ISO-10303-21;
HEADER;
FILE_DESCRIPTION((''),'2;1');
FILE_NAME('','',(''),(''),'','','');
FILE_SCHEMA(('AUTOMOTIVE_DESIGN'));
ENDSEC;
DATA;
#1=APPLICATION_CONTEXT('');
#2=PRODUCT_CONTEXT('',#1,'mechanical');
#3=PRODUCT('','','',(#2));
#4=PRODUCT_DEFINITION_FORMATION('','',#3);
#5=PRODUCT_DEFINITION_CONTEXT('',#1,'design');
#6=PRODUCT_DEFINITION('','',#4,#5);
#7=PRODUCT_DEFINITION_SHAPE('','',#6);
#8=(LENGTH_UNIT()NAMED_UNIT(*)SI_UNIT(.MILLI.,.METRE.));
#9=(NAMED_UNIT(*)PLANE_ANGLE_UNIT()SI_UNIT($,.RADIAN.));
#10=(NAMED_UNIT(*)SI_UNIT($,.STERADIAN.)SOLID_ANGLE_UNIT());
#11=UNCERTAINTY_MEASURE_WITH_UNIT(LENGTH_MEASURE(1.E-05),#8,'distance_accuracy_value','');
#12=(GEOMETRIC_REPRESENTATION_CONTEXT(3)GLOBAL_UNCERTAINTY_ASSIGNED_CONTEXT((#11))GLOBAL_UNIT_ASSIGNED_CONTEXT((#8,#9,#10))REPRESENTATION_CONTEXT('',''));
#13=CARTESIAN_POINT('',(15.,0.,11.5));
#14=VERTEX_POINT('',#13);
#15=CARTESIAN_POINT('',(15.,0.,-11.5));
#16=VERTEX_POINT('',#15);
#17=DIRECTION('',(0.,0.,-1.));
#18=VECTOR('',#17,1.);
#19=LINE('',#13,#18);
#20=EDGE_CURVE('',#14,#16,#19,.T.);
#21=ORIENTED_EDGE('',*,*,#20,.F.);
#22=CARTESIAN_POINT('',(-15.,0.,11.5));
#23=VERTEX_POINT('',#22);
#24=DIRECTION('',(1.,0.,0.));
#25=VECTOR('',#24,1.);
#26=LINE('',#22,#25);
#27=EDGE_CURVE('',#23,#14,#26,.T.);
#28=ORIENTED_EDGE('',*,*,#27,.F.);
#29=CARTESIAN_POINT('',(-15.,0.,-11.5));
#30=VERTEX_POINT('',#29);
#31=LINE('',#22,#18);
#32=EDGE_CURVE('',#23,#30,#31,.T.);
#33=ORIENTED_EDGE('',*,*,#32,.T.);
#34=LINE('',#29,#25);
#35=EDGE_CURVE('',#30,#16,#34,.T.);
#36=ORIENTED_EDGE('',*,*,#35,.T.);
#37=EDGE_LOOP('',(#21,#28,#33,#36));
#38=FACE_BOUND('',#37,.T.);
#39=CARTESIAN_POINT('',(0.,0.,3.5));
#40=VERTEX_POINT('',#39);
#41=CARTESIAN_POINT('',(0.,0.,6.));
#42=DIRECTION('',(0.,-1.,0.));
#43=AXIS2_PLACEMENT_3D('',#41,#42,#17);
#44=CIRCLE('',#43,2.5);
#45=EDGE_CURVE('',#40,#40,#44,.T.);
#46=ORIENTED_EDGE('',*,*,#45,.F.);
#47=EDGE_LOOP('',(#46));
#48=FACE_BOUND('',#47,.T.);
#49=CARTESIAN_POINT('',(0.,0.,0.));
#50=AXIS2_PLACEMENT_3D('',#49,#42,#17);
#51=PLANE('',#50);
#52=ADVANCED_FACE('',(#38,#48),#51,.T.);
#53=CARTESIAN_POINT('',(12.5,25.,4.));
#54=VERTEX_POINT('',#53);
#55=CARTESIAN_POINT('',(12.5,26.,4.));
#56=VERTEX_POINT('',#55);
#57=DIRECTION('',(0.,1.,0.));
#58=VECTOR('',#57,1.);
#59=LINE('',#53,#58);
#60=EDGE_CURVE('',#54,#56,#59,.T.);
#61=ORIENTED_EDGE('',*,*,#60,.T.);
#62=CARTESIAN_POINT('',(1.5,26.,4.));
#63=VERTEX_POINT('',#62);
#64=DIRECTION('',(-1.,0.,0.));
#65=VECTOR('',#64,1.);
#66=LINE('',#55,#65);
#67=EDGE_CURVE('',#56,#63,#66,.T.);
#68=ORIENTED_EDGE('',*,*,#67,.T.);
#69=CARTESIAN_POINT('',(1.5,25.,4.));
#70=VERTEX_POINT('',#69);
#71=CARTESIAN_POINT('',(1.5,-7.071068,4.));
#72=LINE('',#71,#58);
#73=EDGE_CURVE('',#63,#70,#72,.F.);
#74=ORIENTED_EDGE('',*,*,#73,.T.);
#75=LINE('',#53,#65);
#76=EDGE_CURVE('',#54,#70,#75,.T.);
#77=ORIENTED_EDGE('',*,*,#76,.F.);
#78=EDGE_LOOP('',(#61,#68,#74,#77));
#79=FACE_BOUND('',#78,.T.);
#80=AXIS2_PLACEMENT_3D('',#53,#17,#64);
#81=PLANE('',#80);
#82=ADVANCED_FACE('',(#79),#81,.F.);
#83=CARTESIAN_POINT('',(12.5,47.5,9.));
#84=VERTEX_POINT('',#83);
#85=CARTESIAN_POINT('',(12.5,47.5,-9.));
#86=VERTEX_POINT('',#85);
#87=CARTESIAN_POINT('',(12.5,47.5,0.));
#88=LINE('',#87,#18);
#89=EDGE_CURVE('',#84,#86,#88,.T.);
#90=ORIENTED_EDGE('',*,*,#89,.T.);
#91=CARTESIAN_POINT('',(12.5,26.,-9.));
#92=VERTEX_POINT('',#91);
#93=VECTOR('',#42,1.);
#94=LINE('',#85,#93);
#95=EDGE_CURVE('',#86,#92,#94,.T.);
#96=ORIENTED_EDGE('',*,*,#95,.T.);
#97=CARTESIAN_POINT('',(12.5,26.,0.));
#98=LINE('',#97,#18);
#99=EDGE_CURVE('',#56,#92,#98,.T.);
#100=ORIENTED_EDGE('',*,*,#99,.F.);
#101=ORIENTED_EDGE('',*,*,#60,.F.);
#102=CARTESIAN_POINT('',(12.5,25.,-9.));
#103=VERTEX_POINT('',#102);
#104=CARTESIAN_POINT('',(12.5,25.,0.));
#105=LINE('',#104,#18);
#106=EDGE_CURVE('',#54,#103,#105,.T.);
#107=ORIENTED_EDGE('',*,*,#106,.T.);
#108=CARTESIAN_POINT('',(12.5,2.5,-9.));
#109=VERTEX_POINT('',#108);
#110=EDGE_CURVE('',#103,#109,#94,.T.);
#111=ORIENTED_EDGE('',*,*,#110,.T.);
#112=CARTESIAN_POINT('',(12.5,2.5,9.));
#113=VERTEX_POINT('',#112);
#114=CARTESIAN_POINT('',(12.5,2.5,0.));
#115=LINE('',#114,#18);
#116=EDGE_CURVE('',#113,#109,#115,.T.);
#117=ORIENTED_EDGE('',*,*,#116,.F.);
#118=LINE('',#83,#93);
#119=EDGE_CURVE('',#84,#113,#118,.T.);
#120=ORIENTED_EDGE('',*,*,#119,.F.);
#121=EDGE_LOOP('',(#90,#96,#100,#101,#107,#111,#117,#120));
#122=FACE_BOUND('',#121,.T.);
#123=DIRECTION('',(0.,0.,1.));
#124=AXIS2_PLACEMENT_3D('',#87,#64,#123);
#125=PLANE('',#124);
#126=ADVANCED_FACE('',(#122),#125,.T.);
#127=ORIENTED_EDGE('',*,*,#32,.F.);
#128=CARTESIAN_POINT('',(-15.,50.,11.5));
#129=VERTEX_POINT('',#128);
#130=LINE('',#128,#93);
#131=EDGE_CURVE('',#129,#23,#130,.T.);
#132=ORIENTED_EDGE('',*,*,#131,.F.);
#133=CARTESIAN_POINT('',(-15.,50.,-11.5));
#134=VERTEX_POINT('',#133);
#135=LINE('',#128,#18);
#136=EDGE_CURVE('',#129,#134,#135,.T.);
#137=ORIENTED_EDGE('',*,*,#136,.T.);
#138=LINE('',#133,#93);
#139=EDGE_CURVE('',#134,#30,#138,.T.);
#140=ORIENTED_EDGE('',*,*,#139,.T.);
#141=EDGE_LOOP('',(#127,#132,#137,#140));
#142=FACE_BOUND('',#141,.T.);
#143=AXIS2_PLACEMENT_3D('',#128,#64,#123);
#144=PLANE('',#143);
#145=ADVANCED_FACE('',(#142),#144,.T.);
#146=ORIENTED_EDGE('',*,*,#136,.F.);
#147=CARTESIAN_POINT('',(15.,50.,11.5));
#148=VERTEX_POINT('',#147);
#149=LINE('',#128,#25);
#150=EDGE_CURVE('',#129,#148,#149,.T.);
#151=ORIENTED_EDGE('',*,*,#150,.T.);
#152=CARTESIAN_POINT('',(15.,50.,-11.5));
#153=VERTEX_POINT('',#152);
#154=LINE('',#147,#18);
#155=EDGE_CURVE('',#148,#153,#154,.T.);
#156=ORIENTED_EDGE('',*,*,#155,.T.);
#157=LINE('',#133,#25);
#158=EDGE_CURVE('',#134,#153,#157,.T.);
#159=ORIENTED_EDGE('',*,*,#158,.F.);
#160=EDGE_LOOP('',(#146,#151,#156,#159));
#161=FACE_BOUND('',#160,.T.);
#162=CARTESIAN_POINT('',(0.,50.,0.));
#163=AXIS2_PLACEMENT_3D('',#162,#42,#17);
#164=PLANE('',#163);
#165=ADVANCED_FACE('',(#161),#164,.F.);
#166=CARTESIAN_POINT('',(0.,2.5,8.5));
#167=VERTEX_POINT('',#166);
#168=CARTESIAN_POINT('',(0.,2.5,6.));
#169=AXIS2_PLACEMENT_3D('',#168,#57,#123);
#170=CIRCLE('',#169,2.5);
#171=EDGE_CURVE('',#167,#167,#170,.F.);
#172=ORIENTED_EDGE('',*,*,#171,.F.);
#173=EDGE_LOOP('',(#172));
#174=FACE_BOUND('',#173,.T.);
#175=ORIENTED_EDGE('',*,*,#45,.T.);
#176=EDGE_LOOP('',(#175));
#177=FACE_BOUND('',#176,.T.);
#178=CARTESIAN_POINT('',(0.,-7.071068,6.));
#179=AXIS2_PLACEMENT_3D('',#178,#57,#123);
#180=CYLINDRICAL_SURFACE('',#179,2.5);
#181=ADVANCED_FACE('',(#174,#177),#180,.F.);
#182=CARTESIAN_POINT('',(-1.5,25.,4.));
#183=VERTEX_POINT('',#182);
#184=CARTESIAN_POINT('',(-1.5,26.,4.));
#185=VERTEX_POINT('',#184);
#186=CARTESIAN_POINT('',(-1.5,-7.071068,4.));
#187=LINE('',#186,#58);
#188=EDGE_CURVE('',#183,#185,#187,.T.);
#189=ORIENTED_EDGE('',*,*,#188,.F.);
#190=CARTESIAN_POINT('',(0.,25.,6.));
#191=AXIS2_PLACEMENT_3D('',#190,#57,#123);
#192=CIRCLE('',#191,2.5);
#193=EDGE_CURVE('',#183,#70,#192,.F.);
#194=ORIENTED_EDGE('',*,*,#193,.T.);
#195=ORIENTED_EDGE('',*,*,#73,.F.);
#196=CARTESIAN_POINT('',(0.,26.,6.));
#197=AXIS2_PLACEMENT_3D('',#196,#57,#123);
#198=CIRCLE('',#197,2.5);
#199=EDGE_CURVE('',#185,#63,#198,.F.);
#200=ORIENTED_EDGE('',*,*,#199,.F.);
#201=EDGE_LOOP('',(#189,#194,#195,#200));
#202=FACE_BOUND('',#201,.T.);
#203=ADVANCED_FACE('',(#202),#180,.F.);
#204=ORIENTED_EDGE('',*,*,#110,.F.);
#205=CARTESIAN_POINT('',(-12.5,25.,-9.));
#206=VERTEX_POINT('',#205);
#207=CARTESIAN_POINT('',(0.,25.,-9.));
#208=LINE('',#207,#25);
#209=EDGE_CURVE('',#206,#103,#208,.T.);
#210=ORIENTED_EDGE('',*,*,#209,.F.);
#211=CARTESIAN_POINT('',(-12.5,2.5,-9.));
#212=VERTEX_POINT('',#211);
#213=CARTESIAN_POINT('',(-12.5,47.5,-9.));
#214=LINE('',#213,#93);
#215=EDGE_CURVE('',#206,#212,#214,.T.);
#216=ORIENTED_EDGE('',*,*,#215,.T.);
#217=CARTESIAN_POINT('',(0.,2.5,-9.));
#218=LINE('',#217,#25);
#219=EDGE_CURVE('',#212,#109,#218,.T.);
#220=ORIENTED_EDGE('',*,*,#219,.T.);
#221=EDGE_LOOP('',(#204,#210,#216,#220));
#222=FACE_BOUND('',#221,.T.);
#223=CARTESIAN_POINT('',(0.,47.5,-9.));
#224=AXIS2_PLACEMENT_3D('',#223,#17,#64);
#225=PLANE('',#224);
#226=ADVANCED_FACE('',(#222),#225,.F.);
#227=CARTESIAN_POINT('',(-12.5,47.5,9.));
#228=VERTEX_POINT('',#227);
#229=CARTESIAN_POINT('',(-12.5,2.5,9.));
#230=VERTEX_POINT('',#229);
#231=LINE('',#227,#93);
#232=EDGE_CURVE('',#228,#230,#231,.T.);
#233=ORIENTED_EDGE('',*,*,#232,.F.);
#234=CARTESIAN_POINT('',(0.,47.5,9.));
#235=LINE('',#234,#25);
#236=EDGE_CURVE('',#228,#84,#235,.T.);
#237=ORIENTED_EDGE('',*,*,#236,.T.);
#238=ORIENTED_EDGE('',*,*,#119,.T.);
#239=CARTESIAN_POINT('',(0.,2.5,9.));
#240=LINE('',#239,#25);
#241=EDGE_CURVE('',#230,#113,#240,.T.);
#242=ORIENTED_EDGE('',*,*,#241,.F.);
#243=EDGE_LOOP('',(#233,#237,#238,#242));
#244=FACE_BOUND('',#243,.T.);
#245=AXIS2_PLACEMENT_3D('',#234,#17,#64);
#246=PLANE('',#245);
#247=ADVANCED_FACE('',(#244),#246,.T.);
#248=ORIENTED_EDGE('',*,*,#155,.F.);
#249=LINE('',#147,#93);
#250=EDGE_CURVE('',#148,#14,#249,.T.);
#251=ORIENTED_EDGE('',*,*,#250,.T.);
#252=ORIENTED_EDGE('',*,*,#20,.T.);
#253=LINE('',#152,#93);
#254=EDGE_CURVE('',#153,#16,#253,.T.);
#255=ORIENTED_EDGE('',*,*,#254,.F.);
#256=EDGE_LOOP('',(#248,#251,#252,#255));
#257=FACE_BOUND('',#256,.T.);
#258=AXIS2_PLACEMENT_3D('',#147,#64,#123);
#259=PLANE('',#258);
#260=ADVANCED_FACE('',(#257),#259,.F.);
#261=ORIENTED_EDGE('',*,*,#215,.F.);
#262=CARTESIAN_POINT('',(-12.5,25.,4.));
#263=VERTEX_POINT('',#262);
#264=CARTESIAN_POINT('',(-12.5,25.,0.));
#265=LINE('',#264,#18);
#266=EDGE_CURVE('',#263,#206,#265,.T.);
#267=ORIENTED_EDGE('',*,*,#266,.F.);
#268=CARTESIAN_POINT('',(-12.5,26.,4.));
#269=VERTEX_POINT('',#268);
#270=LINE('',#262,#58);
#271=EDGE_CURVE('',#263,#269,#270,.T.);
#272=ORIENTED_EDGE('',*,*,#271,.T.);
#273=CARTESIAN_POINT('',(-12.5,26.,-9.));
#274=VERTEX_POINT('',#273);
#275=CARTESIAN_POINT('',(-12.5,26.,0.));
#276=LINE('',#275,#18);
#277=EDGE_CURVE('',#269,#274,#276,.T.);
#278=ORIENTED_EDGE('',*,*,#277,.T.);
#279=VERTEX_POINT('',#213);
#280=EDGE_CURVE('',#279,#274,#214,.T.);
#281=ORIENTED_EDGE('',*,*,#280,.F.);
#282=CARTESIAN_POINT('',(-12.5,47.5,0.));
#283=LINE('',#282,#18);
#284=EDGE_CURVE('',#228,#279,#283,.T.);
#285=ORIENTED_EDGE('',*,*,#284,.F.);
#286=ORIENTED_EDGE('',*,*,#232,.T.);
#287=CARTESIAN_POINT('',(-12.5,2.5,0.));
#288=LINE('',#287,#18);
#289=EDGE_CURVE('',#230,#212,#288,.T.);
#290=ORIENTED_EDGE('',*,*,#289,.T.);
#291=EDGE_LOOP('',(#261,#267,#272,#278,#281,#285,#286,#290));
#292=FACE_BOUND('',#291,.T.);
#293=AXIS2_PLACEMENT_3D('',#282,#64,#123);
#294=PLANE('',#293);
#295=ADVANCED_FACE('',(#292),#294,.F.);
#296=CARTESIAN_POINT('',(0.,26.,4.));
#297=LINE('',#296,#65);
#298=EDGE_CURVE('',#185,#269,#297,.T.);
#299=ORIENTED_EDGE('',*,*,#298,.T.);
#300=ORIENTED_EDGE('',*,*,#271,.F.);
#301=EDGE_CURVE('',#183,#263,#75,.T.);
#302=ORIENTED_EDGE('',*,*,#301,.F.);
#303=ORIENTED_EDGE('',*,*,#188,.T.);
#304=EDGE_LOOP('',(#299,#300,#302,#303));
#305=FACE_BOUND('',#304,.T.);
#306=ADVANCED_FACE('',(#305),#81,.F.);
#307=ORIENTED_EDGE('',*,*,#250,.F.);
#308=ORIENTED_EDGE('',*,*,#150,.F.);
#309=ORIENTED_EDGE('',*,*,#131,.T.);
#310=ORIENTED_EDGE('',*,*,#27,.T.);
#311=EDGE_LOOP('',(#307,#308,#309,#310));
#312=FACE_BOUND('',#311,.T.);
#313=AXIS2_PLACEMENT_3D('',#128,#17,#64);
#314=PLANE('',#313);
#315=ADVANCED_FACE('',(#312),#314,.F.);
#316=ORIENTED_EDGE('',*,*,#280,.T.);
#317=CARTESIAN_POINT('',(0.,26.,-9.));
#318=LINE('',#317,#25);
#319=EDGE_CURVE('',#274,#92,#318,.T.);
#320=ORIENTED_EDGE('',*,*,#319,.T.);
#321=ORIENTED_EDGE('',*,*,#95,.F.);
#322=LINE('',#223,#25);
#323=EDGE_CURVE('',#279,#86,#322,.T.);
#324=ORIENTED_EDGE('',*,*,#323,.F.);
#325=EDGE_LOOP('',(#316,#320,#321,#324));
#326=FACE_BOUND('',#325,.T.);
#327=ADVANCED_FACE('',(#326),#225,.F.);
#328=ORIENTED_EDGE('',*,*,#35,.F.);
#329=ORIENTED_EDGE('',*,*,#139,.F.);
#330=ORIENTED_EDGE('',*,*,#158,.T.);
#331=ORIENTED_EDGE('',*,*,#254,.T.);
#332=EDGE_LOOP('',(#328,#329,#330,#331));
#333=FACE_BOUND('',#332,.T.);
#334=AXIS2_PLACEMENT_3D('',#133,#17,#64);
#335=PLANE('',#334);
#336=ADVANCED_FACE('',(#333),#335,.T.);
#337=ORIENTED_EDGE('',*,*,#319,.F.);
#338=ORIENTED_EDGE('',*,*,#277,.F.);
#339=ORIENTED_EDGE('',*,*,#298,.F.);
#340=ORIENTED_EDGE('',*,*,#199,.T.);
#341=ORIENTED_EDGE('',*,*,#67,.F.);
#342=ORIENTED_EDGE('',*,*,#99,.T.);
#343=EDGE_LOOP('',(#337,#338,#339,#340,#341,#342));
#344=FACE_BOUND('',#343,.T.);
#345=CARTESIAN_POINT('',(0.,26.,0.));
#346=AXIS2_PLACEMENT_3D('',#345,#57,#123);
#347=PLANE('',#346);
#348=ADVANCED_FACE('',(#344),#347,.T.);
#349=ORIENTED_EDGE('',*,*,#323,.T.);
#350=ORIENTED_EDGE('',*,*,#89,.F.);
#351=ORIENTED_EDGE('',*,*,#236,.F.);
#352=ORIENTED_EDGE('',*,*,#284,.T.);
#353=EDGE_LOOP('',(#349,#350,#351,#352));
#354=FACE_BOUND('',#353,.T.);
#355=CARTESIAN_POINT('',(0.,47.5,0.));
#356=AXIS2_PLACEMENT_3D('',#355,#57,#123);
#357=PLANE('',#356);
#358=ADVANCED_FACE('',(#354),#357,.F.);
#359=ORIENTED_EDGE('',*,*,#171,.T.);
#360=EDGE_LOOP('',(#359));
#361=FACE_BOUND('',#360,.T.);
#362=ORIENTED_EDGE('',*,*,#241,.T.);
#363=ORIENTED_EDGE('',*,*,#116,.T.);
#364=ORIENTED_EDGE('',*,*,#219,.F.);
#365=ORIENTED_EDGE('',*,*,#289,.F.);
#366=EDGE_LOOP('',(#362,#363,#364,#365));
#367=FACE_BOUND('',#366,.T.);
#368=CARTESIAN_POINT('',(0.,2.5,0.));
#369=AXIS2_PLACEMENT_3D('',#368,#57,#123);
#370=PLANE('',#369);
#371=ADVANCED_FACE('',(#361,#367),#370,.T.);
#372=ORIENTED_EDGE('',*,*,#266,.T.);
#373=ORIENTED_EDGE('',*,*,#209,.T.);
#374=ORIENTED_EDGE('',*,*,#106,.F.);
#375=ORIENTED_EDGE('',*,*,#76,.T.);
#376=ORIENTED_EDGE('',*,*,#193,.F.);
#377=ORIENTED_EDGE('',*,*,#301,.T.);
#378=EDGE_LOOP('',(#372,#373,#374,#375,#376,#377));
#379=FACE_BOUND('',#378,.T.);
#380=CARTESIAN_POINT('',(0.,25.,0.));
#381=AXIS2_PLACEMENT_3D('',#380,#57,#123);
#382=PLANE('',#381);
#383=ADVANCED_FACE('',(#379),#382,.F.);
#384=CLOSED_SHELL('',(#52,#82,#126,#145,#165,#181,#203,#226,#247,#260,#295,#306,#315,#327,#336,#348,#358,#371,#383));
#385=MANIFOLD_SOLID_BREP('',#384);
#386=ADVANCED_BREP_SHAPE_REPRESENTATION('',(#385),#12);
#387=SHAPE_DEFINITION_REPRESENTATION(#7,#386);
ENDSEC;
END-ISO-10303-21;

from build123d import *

# Parameters (mm, degrees)
SKETCH1_W           = 30
SKETCH1_H           = 23
BOSS_EXTRUDE1_DEPTH = 50
CUT_EXTRUDE2_START  = 2.5
SKETCH1_5_W         = 25
SKETCH1_5_H         = 18
CUT_EXTRUDE2_DEPTH  = 45
BOSS_EXTRUDE3_START = 25
SKETCH1_6_W         = 25
SKETCH1_6_H         = 18
BOSS_EXTRUDE3_DEPTH = 1
CUT_EXTRUDE3_START  = 21.5
SKETCH2_R           = 2.5
CUT_EXTRUDE3_DEPTH  = 26
SKETCH4_W           = 25
SKETCH4_H           = 5
CUT_EXTRUDE4_DEPTH  = 1


with BuildPart() as part:
    # Sketch1 → Boss-Extrude1 (new body)
    with BuildSketch(Plane(origin=(0, 0, 0), x_dir=(1, 0, 0), z_dir=(0, 1, 0))):
        Rectangle(SKETCH1_W, SKETCH1_H)
    extrude(amount=BOSS_EXTRUDE1_DEPTH)

    # Sketch1<5> → Cut-Extrude2 (cut)
    with BuildSketch(Plane(origin=(0, 0, 0), x_dir=(1, 0, 0), z_dir=(0, 1, 0)).offset(CUT_EXTRUDE2_START)):
        Rectangle(SKETCH1_5_W, SKETCH1_5_H)
    extrude(amount=CUT_EXTRUDE2_DEPTH, mode=Mode.SUBTRACT)

    # Sketch1<6> → Boss-Extrude3 (add)
    with BuildSketch(Plane(origin=(0, 0, 0), x_dir=(1, 0, 0), z_dir=(0, 1, 0)).offset(BOSS_EXTRUDE3_START)):
        Rectangle(SKETCH1_6_W, SKETCH1_6_H)
    extrude(amount=BOSS_EXTRUDE3_DEPTH)

    # Sketch2 → Cut-Extrude3 (cut)
    with BuildSketch(Plane(origin=(0, 47.5, 0), x_dir=(-1, 0, 0), z_dir=(0, -1, 0)).offset(CUT_EXTRUDE3_START)):
        with Locations(Location((0, -6, 0), (0, 0, 270))):
            Circle(SKETCH2_R)
    extrude(amount=CUT_EXTRUDE3_DEPTH, mode=Mode.SUBTRACT)

    # Sketch4 → Cut-Extrude4 (cut)
    with BuildSketch(Plane(origin=(0, 26, 0), x_dir=(1, 0, 0), z_dir=(0, 1, 0))):
        with Locations((0, -6.5)):
            Rectangle(SKETCH4_W, SKETCH4_H)
    extrude(amount=-CUT_EXTRUDE4_DEPTH, mode=Mode.SUBTRACT)


solid = part.part
